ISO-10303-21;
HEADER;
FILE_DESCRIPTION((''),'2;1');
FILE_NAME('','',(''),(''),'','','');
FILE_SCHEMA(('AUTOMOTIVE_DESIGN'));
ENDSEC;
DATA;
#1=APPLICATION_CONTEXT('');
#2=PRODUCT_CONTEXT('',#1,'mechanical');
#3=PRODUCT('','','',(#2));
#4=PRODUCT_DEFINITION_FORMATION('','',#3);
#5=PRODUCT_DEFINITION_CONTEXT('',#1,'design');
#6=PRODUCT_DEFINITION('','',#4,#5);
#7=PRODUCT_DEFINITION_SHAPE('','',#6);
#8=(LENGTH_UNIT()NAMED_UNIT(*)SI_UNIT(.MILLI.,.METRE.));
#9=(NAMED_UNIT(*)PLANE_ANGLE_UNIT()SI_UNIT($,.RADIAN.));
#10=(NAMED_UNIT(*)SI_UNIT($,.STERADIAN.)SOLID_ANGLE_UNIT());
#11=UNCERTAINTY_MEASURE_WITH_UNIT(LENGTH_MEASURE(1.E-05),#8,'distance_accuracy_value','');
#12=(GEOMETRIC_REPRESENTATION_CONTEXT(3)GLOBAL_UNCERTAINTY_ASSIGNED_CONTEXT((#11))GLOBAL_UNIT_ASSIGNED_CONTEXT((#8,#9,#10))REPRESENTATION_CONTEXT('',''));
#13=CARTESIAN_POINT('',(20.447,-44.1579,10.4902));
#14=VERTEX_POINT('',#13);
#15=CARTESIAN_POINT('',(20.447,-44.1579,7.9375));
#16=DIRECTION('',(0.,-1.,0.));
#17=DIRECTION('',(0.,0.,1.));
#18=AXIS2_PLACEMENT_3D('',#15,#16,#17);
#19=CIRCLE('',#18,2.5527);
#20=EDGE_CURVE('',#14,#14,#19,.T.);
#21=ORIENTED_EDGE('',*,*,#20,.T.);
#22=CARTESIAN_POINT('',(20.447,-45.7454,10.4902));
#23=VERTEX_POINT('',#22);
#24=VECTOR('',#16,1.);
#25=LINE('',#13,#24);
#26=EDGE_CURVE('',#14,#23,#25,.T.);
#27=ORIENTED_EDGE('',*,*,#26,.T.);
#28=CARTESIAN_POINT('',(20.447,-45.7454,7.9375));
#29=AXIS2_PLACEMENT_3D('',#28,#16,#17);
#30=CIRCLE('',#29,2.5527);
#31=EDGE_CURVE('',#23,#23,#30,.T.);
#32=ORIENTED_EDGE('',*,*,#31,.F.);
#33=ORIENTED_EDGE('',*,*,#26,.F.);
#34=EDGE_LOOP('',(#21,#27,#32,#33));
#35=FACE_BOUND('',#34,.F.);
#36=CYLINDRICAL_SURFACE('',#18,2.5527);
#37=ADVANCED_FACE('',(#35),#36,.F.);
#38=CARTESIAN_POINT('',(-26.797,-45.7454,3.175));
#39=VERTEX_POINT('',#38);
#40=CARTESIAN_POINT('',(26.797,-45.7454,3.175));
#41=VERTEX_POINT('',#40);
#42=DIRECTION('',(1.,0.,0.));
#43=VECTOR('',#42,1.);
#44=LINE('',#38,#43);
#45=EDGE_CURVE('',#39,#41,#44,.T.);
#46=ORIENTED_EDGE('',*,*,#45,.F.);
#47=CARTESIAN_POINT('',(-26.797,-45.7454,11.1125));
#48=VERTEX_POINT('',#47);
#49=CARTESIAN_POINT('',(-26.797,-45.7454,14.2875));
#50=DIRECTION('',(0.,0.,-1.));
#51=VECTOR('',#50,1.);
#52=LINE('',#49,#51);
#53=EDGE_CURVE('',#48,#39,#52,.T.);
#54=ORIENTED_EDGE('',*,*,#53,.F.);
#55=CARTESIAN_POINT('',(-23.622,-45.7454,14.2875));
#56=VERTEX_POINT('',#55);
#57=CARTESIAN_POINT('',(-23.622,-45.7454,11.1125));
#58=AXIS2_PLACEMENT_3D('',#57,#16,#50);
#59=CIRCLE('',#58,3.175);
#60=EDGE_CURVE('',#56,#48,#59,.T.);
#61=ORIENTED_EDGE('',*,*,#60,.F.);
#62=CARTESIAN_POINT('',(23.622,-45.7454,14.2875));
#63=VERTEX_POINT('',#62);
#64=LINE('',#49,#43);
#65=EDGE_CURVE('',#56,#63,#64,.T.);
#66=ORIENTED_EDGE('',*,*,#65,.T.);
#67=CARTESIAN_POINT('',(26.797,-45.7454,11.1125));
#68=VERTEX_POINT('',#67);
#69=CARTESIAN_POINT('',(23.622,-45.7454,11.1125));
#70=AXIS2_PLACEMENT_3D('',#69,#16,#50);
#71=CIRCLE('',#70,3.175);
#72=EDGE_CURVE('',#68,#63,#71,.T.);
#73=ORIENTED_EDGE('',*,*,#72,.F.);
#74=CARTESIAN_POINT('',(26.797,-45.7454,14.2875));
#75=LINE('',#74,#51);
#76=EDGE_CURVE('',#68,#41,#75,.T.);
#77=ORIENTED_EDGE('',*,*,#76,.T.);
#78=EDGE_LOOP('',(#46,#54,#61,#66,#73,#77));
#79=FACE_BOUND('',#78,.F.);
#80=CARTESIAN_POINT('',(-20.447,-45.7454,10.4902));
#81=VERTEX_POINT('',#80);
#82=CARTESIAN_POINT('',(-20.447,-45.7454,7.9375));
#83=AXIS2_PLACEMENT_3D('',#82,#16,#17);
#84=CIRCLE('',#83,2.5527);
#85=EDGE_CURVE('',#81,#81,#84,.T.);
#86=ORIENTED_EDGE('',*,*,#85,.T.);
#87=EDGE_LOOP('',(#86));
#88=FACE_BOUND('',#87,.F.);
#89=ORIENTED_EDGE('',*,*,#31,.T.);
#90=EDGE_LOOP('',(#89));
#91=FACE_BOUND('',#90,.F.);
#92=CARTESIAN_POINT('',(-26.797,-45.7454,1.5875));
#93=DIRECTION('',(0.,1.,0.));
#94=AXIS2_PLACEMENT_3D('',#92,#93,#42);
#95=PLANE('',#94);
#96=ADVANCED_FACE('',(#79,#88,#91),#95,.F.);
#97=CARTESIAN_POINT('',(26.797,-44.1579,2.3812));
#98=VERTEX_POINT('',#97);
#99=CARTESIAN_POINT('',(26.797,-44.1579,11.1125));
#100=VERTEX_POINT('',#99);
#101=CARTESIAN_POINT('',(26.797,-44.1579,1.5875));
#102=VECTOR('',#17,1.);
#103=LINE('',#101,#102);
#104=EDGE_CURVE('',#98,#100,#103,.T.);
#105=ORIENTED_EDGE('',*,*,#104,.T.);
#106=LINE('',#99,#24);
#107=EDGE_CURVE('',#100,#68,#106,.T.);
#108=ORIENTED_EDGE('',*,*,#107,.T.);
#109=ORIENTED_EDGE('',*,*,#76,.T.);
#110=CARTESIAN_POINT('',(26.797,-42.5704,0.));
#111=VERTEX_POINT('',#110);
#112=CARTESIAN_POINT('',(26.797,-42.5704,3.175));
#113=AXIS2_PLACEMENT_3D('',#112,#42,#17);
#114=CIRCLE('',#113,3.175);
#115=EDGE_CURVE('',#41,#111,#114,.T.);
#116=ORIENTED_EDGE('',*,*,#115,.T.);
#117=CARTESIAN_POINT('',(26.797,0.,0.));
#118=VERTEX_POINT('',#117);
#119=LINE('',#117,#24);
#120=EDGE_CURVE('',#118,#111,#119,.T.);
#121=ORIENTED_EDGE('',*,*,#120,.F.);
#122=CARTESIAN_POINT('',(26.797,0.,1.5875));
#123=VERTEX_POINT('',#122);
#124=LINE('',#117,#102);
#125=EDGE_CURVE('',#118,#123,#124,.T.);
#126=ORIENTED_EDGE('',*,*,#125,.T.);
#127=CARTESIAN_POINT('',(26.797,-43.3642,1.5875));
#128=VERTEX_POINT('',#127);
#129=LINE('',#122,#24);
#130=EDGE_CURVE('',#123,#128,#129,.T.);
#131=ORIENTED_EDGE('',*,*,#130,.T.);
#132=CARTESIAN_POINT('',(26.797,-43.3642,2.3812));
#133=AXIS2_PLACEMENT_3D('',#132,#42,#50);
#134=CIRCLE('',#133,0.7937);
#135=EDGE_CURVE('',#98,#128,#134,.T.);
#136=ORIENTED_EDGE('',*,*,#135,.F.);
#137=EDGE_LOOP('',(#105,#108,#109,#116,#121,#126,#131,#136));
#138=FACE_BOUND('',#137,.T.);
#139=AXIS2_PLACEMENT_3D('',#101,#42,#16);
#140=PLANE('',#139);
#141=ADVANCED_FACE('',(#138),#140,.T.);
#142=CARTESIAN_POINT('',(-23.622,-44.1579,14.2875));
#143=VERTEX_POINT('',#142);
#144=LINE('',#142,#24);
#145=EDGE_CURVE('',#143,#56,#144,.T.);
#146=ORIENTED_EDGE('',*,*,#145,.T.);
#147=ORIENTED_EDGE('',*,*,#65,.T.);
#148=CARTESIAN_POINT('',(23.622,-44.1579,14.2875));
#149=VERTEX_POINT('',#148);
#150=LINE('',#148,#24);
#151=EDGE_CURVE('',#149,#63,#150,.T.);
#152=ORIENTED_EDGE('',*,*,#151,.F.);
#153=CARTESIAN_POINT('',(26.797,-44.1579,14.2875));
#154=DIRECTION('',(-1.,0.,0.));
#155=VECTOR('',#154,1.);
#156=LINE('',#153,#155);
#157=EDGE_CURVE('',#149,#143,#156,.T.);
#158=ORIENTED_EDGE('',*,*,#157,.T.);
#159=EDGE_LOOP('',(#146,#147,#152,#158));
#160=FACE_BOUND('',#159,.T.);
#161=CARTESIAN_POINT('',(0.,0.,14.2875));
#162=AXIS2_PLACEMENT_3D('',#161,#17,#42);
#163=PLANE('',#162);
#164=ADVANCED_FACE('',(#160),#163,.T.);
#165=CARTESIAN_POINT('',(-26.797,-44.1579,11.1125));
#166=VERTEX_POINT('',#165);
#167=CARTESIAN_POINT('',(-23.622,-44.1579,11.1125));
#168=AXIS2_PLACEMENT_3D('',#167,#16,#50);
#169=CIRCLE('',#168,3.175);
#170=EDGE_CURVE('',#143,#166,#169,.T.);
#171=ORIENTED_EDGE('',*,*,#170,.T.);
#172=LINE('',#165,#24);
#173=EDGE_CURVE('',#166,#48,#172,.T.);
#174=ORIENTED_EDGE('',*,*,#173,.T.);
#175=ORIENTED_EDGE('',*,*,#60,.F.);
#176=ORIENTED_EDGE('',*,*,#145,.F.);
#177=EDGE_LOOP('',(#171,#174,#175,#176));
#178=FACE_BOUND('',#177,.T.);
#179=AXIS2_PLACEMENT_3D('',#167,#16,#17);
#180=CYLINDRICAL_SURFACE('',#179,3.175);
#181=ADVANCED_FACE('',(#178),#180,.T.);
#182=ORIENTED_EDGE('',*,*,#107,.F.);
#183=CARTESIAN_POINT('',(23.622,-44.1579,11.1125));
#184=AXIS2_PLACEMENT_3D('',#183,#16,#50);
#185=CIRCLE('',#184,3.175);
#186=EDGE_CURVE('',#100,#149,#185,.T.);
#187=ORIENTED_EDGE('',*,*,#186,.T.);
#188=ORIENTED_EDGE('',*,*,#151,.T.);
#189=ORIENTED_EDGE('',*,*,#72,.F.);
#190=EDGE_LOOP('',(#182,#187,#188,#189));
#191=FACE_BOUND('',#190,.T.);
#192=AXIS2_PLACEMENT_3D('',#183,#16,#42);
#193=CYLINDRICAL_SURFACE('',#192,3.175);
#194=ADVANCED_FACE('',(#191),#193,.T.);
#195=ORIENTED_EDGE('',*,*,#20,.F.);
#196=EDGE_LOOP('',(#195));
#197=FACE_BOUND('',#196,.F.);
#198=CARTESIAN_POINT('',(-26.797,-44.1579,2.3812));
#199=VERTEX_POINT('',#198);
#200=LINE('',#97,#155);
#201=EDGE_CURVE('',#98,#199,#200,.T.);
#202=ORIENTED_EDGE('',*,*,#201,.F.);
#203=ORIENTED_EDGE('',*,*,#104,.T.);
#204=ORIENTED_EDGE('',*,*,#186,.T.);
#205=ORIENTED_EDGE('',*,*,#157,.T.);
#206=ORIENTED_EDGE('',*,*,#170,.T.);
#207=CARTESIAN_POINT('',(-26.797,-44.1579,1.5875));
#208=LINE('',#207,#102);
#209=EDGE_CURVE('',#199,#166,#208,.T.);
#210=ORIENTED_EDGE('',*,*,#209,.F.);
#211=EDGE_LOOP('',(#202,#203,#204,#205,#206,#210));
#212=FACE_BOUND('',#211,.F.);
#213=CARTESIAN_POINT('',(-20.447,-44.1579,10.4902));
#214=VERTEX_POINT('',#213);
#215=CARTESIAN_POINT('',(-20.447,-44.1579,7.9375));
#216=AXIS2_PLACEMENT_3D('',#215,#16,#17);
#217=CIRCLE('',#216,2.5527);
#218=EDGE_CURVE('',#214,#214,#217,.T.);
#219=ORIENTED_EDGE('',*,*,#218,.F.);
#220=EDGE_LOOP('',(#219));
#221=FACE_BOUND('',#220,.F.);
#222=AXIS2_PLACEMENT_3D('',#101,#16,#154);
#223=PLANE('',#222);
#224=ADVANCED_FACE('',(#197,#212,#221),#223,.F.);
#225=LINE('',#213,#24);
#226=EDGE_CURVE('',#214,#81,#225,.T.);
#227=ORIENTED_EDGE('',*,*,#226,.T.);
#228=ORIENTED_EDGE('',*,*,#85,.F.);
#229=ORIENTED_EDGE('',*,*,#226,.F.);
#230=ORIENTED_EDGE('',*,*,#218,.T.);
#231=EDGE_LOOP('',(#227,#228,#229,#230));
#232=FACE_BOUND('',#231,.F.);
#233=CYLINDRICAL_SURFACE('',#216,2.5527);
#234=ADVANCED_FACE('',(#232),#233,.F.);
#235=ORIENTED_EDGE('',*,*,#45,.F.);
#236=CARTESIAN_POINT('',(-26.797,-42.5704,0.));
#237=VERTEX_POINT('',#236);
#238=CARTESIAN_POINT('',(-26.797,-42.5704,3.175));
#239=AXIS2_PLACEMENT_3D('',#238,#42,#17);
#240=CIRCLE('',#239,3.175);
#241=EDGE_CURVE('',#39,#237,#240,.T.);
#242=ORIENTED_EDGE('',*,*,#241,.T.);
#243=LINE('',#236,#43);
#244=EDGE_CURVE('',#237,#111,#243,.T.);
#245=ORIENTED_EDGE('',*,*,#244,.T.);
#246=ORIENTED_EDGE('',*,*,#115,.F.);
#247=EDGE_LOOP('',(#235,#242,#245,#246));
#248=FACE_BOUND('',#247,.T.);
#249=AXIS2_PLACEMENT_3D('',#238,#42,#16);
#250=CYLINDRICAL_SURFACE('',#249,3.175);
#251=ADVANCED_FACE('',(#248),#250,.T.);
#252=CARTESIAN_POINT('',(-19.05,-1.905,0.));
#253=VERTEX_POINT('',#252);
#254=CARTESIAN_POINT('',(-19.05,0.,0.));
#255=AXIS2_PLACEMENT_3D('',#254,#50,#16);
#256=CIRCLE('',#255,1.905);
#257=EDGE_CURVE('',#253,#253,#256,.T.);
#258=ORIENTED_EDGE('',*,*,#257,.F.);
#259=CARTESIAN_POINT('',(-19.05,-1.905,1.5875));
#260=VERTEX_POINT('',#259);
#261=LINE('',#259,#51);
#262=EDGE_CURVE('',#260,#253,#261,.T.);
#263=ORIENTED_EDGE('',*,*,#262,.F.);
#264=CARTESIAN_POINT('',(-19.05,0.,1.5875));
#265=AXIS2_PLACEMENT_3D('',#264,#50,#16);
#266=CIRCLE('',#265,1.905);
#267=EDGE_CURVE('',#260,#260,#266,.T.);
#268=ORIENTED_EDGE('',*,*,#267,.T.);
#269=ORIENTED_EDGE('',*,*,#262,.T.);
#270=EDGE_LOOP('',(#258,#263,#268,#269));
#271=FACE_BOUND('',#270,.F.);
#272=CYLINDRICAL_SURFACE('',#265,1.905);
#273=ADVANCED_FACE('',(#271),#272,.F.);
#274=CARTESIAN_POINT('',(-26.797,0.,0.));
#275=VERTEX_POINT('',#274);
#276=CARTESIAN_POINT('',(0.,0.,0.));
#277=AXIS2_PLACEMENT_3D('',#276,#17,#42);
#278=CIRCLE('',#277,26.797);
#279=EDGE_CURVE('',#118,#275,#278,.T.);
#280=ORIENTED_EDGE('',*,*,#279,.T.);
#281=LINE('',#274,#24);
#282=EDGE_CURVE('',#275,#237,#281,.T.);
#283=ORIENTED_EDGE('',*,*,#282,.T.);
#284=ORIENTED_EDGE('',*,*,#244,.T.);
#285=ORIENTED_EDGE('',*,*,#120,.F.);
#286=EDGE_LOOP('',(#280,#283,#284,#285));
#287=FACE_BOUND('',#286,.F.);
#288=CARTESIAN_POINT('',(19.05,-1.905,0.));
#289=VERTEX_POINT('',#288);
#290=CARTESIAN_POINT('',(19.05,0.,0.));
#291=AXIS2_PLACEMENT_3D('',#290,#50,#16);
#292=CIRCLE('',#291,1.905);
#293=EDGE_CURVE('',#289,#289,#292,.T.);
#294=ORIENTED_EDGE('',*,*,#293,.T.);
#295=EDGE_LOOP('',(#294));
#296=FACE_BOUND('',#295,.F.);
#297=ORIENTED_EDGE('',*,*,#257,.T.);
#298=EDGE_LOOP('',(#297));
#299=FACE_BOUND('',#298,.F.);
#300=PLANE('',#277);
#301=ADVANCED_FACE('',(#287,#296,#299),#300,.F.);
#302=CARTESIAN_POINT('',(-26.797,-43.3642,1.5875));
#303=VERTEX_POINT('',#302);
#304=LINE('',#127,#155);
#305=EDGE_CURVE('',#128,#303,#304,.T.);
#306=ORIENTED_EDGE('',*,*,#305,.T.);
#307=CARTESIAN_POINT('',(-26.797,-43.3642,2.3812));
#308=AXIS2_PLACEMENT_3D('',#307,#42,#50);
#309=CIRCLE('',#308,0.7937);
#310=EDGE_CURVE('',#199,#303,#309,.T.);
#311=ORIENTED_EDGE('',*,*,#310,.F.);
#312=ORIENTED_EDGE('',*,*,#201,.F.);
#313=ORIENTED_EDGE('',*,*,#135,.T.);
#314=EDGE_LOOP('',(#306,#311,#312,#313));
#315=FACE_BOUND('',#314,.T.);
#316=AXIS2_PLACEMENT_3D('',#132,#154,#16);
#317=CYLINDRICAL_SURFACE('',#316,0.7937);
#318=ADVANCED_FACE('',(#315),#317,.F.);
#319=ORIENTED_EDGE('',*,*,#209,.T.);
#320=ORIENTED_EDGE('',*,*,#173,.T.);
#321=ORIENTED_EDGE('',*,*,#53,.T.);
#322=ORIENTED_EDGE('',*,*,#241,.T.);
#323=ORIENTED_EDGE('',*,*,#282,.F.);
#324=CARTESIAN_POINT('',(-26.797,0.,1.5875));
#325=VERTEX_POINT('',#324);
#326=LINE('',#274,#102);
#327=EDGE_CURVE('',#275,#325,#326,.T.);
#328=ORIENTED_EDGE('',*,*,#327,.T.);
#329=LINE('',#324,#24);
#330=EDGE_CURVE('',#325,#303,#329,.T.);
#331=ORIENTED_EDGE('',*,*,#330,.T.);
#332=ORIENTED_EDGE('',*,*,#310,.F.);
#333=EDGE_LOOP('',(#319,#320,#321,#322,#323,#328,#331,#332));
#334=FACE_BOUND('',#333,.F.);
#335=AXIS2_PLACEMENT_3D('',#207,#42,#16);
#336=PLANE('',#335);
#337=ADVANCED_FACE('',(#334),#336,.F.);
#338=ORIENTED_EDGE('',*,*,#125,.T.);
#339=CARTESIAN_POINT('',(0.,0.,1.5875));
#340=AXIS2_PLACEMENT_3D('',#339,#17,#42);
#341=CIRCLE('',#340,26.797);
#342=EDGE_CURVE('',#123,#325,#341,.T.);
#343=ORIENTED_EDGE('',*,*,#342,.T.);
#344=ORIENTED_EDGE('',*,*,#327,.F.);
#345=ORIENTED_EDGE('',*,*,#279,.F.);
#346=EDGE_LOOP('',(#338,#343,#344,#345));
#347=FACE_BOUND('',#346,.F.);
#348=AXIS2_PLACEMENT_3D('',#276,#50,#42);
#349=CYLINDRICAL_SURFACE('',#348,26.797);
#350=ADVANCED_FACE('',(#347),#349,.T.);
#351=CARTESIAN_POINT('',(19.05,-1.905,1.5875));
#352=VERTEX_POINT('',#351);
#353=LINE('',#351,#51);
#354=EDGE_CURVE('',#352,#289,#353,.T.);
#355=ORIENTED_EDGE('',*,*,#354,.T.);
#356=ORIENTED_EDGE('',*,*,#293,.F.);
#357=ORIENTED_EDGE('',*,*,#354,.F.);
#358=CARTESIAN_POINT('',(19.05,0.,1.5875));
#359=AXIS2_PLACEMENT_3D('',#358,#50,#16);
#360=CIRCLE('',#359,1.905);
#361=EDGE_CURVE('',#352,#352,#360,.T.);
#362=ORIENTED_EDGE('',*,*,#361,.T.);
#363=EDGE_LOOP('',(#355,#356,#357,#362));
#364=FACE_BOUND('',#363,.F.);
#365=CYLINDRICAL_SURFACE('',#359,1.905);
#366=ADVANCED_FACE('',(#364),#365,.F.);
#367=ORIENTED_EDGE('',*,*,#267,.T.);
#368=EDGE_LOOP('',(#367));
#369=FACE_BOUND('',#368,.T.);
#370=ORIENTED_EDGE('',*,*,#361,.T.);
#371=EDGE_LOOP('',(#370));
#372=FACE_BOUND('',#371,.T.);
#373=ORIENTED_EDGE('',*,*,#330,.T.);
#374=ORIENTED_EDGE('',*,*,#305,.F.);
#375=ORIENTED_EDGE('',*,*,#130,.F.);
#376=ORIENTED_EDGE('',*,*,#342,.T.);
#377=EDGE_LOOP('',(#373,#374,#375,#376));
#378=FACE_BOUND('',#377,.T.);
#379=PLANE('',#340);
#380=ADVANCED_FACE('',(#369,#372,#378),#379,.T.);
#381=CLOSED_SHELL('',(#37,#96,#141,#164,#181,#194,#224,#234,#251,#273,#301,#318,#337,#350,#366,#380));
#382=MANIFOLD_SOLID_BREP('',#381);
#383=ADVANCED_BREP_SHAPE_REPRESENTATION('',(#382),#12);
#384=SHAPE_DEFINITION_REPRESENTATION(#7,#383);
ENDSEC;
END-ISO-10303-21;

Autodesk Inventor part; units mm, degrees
ref_plane "YZ Plane" through (0, 0, 0) normal (1, 0, 0) x (0, 1, 0)
ref_plane "XZ Plane" through (0, 0, 0) normal (0, 1, 0) x (-1, 0, 0)
ref_plane "XY Plane" through (0, 0, 0) normal (0, 0, 1) x (1, 0, 0)
sketch "Sketch1" plane through (0, 0, 0) normal (0, 0, 1) x (1, 0, 0)
  circle A0 centre (0, 0) radius 26.797 projected
  line L0 (-26.797, -45.7454) -> (26.797, -45.7454)
  line L1 (-26.797, 0) -> (-26.797, -45.7454)
  line L2 (26.797, 0) -> (26.797, -45.7454)
  line L3 (-26.797, -45.7454) -> (26.797, -45.7454) projected
  point P0 (0, 0)
extrude "Extrusion1" add sketch "Sketch1" along normal blind 1.5875
sketch "Sketch2" plane through (0, 0, 1.5875) normal (0, 0, 1) x (1, 0, 0)
  line L0 (26.797, 0) -> (26.797, -45.7454) projected
  line L1 (-26.797, -45.7454) -> (26.797, -45.7454)
  line L2 (26.797, -45.7454) -> (26.797, -44.1579)
  line L3 (26.797, -44.1579) -> (-26.797, -44.1579)
  line L4 (-26.797, -44.1579) -> (-26.797, -45.7454)
  dimension "d2" = 1.5875
extrude "Extrusion2" add sketch "Sketch2" along normal blind 12.7
fillet "Fillet1" radius 3.175 2 edges at (-26.797, -44.9517, 14.2875) (26.797, -44.9517, 14.2875)
hole "Hole1" at (-20.447, -44.1579, 7.9375) direction (0, -1, 0) diameter 5.1054 end through all clearance for "Flat Head Machine Screw (82)" size "#10" standard "Ansi Unified Screw Threads"
fillet "Fillet2" radius 0.7937 1 edges at (0, -44.1579, 1.5875)
hole "Hole2" at (20.447, -44.1579, 7.9375) direction (0, -1, 0) diameter 5.1054 end through all clearance for "Flat Head Machine Screw (82)" size "#10" standard "Ansi Unified Screw Threads"
sketch "Sketch3" plane through (0, 0, 1.5875) normal (0, 0, 1) x (1, 0, 0)
  arc A0 (26.797, 0) -> (-26.797, 0) centre (0, 0) ccw projected
  point P0 (-19.05, 0)
  point P1 (19.05, 0)
  dimension "d26" = 19.05
  dimension "d27" = 19.05
hole "Hole3" at (-19.05, 0, 1.5875) at (19.05, 0, 1.5875) direction (0, 0, -1) diameter 3.81 end through all clearance for "Flat Head Machine Screw (82)" size "#6" standard "Ansi Unified Screw Threads"
fillet "Fillet3" radius 3.175 1 edges at (0, -45.7454, 0)
equation "\"d27\" = d26"
properties part number "Pneumatics_VIAIR_00090_02"
